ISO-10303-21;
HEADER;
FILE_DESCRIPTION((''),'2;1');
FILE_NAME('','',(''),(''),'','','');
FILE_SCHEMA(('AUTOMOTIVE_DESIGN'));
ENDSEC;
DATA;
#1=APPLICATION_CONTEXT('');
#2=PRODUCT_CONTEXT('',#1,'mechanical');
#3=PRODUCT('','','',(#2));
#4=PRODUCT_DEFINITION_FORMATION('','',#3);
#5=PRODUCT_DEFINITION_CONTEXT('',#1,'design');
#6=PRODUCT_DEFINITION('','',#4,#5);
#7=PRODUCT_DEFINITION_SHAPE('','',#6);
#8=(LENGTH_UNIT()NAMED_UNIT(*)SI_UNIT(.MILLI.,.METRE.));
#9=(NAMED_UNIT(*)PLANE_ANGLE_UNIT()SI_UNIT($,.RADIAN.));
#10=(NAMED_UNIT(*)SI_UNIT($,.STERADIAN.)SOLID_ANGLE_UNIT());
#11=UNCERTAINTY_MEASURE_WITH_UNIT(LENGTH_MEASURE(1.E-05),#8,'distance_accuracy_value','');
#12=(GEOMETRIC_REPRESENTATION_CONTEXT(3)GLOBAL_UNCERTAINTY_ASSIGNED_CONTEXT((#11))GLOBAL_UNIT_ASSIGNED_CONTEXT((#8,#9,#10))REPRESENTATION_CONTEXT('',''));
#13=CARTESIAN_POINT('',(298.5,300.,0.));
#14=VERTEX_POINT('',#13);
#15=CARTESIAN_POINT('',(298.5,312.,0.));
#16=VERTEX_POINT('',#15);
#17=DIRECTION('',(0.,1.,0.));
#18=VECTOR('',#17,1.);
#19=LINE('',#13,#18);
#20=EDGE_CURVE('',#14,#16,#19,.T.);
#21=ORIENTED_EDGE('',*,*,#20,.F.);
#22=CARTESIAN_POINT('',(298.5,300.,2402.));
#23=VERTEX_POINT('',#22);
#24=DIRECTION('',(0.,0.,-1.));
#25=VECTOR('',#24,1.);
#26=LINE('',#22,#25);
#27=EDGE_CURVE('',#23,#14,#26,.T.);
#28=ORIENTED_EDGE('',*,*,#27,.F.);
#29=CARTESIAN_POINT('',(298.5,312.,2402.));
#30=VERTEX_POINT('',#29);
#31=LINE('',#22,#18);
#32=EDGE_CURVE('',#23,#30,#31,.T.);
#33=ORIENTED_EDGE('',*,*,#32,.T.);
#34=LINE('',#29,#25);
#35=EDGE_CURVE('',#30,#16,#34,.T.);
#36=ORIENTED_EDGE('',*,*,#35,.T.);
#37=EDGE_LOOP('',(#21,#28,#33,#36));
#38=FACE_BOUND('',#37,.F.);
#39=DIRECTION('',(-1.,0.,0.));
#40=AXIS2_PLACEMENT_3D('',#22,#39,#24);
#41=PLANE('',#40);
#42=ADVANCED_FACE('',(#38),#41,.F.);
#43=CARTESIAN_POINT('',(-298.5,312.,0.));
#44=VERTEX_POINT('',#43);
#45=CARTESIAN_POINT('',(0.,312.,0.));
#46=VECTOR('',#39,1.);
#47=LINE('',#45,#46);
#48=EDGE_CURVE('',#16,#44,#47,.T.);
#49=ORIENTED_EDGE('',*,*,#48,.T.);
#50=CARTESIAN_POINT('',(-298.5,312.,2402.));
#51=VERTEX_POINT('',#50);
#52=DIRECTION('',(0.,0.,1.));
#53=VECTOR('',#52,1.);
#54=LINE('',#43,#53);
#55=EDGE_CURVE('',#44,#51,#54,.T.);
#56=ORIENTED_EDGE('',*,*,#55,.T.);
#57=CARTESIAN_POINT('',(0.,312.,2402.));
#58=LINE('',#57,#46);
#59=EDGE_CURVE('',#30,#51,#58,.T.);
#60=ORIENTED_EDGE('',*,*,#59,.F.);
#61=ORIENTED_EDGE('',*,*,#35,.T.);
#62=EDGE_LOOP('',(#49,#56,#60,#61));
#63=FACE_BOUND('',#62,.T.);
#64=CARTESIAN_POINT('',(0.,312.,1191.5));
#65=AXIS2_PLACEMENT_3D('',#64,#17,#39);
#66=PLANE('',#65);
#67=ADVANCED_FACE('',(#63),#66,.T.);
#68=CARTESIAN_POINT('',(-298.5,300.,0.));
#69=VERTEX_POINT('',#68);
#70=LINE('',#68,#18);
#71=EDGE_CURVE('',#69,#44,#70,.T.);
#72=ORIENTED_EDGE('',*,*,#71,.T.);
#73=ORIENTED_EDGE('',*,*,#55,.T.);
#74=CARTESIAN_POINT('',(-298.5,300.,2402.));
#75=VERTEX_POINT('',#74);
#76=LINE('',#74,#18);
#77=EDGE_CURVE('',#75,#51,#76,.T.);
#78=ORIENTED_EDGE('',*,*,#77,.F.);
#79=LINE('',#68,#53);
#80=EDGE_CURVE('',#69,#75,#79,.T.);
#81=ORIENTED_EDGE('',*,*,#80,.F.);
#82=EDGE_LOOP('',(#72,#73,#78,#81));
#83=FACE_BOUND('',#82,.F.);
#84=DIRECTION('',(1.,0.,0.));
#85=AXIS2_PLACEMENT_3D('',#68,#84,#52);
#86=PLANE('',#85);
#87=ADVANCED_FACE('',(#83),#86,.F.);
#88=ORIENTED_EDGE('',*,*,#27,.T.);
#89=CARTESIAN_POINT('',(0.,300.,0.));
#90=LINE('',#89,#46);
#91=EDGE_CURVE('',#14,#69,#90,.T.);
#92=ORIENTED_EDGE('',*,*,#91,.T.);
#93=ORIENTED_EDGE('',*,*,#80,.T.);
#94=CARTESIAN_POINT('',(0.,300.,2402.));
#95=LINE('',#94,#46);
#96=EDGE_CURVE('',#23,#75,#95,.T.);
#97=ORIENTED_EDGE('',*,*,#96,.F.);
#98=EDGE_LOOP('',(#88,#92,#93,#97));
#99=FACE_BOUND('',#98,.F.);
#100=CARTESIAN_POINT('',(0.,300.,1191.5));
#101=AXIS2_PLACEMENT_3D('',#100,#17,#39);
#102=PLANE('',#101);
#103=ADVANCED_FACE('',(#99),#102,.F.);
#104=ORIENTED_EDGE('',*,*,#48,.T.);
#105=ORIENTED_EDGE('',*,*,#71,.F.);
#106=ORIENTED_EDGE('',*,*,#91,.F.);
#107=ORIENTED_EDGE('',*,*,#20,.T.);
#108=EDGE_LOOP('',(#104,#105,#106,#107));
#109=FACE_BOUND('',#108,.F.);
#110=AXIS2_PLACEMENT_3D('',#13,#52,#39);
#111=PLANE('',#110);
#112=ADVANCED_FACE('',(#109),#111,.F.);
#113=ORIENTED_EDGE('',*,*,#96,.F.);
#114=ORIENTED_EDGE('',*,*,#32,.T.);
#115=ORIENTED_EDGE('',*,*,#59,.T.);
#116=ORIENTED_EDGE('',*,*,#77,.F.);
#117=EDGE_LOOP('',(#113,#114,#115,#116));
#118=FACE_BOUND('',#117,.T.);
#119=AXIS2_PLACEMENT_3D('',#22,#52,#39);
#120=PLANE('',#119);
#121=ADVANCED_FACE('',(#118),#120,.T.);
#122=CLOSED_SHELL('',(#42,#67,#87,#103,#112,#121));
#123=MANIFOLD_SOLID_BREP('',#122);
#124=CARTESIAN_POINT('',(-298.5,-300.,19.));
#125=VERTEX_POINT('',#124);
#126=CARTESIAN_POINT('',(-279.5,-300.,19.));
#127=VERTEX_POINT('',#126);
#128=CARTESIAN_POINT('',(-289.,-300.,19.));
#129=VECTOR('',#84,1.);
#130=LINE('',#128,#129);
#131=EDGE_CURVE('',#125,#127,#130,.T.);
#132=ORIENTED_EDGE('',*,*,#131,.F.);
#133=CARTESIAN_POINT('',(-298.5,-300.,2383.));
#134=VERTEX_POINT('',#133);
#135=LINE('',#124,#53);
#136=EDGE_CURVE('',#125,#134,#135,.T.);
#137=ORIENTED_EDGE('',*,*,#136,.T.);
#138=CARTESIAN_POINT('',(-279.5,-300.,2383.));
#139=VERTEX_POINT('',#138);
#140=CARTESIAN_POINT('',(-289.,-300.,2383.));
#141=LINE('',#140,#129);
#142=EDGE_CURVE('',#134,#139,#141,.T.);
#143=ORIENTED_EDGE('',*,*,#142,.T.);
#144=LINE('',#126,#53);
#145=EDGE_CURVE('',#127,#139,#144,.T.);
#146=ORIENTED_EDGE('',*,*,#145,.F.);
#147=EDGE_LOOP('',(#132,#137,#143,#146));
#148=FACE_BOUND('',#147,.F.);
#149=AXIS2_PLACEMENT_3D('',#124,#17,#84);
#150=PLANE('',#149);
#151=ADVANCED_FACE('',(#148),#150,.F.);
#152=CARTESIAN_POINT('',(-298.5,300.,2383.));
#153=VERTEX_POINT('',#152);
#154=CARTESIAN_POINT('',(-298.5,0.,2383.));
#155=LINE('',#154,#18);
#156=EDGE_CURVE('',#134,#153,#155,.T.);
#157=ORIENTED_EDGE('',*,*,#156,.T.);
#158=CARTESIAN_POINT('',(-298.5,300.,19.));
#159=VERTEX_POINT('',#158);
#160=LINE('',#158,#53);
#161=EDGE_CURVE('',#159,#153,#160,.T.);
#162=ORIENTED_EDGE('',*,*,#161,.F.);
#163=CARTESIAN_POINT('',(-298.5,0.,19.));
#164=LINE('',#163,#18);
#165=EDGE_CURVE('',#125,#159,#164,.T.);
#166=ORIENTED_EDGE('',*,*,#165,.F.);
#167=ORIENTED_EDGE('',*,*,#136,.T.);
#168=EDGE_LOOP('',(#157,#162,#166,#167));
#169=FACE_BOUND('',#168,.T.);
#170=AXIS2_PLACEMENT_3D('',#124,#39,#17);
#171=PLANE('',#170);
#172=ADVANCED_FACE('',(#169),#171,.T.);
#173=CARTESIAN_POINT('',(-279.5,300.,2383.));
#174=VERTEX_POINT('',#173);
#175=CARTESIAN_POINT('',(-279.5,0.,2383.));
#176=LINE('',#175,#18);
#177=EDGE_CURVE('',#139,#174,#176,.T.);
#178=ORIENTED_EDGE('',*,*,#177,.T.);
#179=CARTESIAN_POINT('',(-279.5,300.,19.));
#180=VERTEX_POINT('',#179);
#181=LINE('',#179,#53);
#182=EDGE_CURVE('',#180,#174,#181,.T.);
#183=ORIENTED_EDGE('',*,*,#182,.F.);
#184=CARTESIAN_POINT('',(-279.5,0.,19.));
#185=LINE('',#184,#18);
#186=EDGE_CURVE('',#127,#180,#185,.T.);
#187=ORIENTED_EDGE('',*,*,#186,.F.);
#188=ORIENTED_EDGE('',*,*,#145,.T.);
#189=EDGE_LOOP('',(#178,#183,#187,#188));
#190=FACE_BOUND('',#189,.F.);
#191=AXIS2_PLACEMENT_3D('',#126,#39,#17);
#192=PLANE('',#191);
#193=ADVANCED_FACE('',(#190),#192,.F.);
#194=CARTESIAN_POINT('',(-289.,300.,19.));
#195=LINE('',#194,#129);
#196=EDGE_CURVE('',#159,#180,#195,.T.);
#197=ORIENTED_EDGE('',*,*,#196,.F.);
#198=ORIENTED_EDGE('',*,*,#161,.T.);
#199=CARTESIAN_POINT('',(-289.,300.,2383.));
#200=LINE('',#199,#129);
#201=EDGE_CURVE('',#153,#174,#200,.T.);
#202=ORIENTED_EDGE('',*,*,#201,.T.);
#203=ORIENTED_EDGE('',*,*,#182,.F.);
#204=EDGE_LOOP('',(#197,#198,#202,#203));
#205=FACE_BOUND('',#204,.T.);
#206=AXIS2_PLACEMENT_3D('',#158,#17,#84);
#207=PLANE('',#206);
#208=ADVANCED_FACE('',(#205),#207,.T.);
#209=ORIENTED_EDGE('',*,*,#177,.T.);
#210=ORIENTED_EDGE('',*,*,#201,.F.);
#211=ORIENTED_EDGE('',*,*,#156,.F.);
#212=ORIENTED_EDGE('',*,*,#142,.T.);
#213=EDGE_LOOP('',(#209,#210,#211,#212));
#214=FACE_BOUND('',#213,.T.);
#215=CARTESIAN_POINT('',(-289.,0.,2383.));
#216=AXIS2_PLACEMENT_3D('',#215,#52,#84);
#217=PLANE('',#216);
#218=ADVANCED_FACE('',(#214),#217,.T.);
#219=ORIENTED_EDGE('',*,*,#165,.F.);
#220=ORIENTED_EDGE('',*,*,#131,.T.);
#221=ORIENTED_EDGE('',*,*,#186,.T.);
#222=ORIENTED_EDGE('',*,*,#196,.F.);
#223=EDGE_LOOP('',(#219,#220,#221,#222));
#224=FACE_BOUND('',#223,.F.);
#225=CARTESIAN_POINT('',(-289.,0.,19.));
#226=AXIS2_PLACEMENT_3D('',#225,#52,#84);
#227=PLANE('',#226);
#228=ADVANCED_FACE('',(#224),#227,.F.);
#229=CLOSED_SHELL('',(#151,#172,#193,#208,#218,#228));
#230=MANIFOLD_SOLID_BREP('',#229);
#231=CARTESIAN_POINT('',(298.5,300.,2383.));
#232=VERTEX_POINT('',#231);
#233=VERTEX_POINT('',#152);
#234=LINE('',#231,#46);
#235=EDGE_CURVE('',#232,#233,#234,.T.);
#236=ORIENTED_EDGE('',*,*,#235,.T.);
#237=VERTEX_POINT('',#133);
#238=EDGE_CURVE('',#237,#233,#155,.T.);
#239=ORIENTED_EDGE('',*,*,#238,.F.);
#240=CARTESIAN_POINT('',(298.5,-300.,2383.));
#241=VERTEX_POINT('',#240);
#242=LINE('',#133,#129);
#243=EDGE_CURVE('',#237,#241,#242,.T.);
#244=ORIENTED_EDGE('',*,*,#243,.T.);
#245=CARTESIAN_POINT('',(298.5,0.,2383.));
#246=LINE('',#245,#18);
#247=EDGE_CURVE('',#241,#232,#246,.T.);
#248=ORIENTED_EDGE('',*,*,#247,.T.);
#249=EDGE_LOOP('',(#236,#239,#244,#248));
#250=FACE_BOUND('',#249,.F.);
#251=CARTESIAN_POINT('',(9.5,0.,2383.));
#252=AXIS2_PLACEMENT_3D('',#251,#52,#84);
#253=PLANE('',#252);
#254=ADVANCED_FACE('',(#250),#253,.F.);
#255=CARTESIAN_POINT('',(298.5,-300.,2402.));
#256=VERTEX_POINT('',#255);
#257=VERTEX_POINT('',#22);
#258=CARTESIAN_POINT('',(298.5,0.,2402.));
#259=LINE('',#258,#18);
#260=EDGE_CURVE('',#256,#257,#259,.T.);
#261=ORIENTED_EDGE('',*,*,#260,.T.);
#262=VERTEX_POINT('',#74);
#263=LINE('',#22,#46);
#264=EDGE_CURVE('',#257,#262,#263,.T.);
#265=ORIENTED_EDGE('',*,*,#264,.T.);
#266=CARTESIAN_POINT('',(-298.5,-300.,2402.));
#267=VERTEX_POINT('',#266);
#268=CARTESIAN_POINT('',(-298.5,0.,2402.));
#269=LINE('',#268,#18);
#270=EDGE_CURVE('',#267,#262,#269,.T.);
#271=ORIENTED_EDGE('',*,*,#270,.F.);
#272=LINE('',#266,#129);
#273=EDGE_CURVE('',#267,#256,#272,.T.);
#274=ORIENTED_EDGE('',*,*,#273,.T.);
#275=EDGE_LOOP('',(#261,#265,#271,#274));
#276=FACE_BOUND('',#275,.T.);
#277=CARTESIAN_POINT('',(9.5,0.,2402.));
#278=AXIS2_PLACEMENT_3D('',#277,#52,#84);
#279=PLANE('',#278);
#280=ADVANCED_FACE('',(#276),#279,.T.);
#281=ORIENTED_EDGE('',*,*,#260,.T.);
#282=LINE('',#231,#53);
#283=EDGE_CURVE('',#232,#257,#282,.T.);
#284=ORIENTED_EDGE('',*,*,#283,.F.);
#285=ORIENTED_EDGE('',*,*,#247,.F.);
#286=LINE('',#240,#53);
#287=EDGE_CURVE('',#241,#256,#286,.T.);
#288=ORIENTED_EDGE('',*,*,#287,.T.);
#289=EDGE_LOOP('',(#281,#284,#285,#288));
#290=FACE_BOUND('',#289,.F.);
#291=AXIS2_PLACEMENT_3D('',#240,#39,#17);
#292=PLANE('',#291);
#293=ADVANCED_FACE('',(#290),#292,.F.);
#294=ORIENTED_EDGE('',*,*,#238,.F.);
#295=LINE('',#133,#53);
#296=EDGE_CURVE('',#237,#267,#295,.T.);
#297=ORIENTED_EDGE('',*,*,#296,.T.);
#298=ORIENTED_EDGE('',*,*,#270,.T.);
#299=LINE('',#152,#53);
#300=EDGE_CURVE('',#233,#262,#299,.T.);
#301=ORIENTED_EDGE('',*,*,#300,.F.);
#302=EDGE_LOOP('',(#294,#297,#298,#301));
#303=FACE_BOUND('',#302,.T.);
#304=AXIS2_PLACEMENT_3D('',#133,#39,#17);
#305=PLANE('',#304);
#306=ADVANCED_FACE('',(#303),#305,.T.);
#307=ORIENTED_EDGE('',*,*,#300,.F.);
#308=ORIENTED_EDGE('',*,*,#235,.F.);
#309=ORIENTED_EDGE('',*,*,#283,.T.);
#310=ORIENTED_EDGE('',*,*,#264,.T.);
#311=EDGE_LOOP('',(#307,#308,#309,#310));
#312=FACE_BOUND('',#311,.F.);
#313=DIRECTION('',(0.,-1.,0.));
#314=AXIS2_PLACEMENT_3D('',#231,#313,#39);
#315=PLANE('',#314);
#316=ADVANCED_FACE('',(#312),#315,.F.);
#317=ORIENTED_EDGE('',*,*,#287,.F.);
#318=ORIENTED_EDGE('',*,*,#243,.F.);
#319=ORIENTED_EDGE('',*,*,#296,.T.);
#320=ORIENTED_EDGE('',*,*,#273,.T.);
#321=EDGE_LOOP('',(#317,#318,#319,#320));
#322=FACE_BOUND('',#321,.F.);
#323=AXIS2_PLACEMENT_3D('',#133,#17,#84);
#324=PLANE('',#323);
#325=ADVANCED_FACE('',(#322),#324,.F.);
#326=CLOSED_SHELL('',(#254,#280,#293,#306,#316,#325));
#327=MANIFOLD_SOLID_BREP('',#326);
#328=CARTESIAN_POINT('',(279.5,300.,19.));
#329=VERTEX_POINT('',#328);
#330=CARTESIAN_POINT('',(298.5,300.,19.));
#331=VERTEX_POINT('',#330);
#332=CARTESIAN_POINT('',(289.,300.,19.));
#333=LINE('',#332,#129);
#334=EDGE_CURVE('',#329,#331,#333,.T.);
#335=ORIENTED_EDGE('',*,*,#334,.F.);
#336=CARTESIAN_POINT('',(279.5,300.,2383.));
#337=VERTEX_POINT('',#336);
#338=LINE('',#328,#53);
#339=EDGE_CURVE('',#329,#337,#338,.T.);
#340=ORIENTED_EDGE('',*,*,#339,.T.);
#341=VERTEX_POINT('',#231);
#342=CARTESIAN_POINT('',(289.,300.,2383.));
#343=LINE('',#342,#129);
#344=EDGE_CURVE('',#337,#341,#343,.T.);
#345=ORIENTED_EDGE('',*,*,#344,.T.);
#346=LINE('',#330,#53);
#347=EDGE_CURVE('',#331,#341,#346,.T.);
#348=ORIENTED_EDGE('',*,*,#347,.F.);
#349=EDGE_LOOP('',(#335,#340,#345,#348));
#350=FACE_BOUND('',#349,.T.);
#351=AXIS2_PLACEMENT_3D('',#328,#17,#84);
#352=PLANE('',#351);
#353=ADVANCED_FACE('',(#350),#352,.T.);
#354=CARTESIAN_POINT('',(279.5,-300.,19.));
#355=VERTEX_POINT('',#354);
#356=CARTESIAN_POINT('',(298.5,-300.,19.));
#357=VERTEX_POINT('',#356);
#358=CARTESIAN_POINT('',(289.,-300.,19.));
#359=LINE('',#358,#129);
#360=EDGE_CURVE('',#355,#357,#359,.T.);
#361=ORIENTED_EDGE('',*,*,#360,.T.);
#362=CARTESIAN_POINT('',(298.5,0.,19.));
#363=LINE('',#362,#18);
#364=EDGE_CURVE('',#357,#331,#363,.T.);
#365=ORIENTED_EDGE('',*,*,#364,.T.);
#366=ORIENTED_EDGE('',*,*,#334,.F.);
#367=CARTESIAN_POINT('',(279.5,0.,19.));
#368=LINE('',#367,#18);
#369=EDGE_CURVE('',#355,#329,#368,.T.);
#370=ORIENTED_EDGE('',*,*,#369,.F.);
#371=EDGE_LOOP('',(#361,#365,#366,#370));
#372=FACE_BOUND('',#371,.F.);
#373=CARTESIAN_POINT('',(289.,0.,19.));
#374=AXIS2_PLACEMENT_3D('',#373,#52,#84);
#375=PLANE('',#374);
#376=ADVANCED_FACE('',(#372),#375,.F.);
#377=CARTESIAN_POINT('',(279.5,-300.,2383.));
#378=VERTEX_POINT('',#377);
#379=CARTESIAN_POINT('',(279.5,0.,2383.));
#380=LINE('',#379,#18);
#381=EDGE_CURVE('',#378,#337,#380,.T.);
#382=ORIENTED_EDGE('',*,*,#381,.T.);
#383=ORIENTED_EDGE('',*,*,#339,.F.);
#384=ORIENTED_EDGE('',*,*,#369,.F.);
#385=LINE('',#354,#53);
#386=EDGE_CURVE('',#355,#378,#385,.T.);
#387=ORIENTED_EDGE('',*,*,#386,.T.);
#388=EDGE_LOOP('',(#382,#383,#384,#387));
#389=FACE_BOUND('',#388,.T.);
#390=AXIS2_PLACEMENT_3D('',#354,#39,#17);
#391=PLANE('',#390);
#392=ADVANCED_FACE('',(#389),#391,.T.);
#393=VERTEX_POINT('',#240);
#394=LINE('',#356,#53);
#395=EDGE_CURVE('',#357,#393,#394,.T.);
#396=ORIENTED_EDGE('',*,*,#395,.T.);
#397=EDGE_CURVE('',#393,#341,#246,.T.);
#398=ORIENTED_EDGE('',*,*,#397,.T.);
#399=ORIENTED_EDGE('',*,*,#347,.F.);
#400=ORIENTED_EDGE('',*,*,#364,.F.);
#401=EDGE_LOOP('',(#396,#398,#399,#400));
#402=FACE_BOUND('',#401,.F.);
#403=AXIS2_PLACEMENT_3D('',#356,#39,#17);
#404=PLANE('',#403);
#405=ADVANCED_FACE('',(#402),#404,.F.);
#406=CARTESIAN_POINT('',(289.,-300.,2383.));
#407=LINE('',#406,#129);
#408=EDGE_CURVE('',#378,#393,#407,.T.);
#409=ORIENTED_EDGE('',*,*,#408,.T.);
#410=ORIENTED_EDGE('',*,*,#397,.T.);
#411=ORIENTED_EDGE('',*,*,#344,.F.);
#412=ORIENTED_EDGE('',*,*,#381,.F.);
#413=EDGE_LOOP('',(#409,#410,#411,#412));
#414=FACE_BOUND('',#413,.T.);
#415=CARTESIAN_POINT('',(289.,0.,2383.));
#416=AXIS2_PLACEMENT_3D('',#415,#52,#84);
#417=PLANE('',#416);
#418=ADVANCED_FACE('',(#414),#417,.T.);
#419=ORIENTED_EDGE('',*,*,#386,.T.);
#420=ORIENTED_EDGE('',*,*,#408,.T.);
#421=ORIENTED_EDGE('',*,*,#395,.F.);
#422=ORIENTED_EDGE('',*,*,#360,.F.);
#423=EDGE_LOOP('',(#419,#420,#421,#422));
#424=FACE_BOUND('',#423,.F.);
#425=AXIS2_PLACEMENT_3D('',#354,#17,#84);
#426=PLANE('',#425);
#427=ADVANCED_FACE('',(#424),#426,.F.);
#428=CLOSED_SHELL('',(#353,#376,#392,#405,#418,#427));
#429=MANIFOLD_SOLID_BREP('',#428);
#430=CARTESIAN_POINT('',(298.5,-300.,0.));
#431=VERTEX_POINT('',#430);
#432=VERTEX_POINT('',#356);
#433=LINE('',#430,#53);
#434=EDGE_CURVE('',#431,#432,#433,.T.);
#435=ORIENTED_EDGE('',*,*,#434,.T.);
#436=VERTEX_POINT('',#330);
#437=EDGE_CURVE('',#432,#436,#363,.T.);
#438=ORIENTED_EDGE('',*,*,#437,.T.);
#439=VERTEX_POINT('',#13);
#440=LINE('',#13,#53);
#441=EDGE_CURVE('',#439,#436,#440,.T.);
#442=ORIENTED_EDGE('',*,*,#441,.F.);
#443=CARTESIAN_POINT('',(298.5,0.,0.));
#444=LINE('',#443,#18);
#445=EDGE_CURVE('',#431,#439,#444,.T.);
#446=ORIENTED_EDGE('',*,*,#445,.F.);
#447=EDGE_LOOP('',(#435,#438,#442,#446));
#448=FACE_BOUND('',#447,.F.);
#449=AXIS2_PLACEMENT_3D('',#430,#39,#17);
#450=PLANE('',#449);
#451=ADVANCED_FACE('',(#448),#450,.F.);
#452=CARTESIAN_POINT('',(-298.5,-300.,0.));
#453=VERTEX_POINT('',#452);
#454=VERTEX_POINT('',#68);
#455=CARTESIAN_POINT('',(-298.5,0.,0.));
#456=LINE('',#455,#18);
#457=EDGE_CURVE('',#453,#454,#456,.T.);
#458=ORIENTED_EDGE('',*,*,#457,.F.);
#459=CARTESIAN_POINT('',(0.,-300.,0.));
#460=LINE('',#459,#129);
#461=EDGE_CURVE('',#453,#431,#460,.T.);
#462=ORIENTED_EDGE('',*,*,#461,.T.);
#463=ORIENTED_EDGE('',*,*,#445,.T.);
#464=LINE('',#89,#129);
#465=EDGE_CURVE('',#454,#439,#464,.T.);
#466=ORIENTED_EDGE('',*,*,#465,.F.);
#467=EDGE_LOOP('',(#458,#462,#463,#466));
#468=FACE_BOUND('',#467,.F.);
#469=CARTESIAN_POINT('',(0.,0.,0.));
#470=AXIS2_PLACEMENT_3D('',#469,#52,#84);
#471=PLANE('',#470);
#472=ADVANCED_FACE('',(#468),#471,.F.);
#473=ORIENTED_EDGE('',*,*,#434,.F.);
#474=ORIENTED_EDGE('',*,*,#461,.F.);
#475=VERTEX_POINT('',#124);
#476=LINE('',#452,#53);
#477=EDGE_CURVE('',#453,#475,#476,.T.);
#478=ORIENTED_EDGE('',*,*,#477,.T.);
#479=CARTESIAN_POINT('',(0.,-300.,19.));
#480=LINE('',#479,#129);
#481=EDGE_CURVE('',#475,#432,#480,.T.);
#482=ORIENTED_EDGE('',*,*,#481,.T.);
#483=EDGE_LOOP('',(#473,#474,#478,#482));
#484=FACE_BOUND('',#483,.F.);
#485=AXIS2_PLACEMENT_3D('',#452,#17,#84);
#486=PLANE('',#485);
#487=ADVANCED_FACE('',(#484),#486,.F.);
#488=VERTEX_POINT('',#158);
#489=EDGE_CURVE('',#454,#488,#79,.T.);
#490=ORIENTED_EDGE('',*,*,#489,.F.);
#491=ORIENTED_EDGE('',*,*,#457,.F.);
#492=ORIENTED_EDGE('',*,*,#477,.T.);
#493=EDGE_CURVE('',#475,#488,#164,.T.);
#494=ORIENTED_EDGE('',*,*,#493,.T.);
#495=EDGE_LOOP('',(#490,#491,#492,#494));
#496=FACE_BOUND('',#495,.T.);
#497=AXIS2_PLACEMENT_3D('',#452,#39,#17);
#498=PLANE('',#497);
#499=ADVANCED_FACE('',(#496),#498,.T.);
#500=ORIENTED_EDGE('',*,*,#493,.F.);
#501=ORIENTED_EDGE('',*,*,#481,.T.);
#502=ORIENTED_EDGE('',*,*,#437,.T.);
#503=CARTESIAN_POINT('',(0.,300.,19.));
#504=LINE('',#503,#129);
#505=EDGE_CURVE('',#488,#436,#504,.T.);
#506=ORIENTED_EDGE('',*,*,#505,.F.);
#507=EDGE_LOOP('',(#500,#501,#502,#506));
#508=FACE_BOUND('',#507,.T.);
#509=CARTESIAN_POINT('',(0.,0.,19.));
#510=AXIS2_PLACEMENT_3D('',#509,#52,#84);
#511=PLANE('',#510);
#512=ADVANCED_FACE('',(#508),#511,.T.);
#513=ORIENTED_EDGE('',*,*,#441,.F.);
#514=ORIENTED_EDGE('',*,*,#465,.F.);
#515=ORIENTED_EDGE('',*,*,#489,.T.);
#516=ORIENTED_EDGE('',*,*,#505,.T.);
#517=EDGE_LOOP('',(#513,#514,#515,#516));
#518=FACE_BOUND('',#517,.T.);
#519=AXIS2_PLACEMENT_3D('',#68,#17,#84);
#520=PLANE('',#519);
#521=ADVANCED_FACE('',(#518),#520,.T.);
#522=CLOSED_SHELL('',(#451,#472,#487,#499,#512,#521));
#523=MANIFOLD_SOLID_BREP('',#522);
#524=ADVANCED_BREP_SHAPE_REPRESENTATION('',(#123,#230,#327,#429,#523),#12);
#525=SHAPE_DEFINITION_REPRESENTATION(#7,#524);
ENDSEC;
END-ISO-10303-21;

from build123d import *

# Parameters (mm, degrees)
F0_W      = 597
F0_H      = 600
F2_DEPTH  = 19
F4_W      = 19
F4_H      = 600
F5_DEPTH  = 2364
F6_W      = 19
F6_H      = 600
F7_DEPTH  = 2364
F8_W      = 578
F8_H      = 600
F8_W_2    = 19
F9_DEPTH  = 19
F10_W     = 597
F10_H     = 2383
F10_H_2   = 19
F12_DEPTH = 12


with BuildPart() as f2:
    # F0 (on Top) → F2 (new body)
    with BuildSketch(Plane.XY):
        Rectangle(F0_W, F0_H)
    extrude(amount=F2_DEPTH)


with BuildPart() as f5:
    # F4 (on face) → F5 (new body)
    with BuildSketch(Plane.XY.offset(19)):
        with Locations((-289, 0)):
            Rectangle(F4_W, F4_H)
    extrude(amount=F5_DEPTH)


with BuildPart() as f7:
    # F6 (on face) → F7 (new body)
    with BuildSketch(Plane.XY.offset(19)):
        with Locations((289, 0)):
            Rectangle(F6_W, F6_H)
    extrude(amount=F7_DEPTH)


with BuildPart() as f9:
    # F8 (on face) → F9 (new body)
    with BuildSketch(Plane.XY.offset(2383)):
        with Locations((9.5, 0)):
            Rectangle(F8_W, F8_H)
        with Locations((-289, 0)):
            Rectangle(F8_W_2, F8_H)
    extrude(amount=F9_DEPTH)


with BuildPart() as f12:
    # F10 (on face) → F12 (new body)
    with BuildSketch(Plane(origin=(0, 300, 0), x_dir=(-1, 0, 0), z_dir=(0, 1, 0))):
        with Locations((0, 1191.5)):
            Rectangle(F10_W, F10_H)
        with Locations((0, 2392.5)):
            Rectangle(F10_W, F10_H_2)
    extrude(amount=F12_DEPTH)


solid = Compound([f2.part, f5.part, f7.part, f9.part, f12.part])
